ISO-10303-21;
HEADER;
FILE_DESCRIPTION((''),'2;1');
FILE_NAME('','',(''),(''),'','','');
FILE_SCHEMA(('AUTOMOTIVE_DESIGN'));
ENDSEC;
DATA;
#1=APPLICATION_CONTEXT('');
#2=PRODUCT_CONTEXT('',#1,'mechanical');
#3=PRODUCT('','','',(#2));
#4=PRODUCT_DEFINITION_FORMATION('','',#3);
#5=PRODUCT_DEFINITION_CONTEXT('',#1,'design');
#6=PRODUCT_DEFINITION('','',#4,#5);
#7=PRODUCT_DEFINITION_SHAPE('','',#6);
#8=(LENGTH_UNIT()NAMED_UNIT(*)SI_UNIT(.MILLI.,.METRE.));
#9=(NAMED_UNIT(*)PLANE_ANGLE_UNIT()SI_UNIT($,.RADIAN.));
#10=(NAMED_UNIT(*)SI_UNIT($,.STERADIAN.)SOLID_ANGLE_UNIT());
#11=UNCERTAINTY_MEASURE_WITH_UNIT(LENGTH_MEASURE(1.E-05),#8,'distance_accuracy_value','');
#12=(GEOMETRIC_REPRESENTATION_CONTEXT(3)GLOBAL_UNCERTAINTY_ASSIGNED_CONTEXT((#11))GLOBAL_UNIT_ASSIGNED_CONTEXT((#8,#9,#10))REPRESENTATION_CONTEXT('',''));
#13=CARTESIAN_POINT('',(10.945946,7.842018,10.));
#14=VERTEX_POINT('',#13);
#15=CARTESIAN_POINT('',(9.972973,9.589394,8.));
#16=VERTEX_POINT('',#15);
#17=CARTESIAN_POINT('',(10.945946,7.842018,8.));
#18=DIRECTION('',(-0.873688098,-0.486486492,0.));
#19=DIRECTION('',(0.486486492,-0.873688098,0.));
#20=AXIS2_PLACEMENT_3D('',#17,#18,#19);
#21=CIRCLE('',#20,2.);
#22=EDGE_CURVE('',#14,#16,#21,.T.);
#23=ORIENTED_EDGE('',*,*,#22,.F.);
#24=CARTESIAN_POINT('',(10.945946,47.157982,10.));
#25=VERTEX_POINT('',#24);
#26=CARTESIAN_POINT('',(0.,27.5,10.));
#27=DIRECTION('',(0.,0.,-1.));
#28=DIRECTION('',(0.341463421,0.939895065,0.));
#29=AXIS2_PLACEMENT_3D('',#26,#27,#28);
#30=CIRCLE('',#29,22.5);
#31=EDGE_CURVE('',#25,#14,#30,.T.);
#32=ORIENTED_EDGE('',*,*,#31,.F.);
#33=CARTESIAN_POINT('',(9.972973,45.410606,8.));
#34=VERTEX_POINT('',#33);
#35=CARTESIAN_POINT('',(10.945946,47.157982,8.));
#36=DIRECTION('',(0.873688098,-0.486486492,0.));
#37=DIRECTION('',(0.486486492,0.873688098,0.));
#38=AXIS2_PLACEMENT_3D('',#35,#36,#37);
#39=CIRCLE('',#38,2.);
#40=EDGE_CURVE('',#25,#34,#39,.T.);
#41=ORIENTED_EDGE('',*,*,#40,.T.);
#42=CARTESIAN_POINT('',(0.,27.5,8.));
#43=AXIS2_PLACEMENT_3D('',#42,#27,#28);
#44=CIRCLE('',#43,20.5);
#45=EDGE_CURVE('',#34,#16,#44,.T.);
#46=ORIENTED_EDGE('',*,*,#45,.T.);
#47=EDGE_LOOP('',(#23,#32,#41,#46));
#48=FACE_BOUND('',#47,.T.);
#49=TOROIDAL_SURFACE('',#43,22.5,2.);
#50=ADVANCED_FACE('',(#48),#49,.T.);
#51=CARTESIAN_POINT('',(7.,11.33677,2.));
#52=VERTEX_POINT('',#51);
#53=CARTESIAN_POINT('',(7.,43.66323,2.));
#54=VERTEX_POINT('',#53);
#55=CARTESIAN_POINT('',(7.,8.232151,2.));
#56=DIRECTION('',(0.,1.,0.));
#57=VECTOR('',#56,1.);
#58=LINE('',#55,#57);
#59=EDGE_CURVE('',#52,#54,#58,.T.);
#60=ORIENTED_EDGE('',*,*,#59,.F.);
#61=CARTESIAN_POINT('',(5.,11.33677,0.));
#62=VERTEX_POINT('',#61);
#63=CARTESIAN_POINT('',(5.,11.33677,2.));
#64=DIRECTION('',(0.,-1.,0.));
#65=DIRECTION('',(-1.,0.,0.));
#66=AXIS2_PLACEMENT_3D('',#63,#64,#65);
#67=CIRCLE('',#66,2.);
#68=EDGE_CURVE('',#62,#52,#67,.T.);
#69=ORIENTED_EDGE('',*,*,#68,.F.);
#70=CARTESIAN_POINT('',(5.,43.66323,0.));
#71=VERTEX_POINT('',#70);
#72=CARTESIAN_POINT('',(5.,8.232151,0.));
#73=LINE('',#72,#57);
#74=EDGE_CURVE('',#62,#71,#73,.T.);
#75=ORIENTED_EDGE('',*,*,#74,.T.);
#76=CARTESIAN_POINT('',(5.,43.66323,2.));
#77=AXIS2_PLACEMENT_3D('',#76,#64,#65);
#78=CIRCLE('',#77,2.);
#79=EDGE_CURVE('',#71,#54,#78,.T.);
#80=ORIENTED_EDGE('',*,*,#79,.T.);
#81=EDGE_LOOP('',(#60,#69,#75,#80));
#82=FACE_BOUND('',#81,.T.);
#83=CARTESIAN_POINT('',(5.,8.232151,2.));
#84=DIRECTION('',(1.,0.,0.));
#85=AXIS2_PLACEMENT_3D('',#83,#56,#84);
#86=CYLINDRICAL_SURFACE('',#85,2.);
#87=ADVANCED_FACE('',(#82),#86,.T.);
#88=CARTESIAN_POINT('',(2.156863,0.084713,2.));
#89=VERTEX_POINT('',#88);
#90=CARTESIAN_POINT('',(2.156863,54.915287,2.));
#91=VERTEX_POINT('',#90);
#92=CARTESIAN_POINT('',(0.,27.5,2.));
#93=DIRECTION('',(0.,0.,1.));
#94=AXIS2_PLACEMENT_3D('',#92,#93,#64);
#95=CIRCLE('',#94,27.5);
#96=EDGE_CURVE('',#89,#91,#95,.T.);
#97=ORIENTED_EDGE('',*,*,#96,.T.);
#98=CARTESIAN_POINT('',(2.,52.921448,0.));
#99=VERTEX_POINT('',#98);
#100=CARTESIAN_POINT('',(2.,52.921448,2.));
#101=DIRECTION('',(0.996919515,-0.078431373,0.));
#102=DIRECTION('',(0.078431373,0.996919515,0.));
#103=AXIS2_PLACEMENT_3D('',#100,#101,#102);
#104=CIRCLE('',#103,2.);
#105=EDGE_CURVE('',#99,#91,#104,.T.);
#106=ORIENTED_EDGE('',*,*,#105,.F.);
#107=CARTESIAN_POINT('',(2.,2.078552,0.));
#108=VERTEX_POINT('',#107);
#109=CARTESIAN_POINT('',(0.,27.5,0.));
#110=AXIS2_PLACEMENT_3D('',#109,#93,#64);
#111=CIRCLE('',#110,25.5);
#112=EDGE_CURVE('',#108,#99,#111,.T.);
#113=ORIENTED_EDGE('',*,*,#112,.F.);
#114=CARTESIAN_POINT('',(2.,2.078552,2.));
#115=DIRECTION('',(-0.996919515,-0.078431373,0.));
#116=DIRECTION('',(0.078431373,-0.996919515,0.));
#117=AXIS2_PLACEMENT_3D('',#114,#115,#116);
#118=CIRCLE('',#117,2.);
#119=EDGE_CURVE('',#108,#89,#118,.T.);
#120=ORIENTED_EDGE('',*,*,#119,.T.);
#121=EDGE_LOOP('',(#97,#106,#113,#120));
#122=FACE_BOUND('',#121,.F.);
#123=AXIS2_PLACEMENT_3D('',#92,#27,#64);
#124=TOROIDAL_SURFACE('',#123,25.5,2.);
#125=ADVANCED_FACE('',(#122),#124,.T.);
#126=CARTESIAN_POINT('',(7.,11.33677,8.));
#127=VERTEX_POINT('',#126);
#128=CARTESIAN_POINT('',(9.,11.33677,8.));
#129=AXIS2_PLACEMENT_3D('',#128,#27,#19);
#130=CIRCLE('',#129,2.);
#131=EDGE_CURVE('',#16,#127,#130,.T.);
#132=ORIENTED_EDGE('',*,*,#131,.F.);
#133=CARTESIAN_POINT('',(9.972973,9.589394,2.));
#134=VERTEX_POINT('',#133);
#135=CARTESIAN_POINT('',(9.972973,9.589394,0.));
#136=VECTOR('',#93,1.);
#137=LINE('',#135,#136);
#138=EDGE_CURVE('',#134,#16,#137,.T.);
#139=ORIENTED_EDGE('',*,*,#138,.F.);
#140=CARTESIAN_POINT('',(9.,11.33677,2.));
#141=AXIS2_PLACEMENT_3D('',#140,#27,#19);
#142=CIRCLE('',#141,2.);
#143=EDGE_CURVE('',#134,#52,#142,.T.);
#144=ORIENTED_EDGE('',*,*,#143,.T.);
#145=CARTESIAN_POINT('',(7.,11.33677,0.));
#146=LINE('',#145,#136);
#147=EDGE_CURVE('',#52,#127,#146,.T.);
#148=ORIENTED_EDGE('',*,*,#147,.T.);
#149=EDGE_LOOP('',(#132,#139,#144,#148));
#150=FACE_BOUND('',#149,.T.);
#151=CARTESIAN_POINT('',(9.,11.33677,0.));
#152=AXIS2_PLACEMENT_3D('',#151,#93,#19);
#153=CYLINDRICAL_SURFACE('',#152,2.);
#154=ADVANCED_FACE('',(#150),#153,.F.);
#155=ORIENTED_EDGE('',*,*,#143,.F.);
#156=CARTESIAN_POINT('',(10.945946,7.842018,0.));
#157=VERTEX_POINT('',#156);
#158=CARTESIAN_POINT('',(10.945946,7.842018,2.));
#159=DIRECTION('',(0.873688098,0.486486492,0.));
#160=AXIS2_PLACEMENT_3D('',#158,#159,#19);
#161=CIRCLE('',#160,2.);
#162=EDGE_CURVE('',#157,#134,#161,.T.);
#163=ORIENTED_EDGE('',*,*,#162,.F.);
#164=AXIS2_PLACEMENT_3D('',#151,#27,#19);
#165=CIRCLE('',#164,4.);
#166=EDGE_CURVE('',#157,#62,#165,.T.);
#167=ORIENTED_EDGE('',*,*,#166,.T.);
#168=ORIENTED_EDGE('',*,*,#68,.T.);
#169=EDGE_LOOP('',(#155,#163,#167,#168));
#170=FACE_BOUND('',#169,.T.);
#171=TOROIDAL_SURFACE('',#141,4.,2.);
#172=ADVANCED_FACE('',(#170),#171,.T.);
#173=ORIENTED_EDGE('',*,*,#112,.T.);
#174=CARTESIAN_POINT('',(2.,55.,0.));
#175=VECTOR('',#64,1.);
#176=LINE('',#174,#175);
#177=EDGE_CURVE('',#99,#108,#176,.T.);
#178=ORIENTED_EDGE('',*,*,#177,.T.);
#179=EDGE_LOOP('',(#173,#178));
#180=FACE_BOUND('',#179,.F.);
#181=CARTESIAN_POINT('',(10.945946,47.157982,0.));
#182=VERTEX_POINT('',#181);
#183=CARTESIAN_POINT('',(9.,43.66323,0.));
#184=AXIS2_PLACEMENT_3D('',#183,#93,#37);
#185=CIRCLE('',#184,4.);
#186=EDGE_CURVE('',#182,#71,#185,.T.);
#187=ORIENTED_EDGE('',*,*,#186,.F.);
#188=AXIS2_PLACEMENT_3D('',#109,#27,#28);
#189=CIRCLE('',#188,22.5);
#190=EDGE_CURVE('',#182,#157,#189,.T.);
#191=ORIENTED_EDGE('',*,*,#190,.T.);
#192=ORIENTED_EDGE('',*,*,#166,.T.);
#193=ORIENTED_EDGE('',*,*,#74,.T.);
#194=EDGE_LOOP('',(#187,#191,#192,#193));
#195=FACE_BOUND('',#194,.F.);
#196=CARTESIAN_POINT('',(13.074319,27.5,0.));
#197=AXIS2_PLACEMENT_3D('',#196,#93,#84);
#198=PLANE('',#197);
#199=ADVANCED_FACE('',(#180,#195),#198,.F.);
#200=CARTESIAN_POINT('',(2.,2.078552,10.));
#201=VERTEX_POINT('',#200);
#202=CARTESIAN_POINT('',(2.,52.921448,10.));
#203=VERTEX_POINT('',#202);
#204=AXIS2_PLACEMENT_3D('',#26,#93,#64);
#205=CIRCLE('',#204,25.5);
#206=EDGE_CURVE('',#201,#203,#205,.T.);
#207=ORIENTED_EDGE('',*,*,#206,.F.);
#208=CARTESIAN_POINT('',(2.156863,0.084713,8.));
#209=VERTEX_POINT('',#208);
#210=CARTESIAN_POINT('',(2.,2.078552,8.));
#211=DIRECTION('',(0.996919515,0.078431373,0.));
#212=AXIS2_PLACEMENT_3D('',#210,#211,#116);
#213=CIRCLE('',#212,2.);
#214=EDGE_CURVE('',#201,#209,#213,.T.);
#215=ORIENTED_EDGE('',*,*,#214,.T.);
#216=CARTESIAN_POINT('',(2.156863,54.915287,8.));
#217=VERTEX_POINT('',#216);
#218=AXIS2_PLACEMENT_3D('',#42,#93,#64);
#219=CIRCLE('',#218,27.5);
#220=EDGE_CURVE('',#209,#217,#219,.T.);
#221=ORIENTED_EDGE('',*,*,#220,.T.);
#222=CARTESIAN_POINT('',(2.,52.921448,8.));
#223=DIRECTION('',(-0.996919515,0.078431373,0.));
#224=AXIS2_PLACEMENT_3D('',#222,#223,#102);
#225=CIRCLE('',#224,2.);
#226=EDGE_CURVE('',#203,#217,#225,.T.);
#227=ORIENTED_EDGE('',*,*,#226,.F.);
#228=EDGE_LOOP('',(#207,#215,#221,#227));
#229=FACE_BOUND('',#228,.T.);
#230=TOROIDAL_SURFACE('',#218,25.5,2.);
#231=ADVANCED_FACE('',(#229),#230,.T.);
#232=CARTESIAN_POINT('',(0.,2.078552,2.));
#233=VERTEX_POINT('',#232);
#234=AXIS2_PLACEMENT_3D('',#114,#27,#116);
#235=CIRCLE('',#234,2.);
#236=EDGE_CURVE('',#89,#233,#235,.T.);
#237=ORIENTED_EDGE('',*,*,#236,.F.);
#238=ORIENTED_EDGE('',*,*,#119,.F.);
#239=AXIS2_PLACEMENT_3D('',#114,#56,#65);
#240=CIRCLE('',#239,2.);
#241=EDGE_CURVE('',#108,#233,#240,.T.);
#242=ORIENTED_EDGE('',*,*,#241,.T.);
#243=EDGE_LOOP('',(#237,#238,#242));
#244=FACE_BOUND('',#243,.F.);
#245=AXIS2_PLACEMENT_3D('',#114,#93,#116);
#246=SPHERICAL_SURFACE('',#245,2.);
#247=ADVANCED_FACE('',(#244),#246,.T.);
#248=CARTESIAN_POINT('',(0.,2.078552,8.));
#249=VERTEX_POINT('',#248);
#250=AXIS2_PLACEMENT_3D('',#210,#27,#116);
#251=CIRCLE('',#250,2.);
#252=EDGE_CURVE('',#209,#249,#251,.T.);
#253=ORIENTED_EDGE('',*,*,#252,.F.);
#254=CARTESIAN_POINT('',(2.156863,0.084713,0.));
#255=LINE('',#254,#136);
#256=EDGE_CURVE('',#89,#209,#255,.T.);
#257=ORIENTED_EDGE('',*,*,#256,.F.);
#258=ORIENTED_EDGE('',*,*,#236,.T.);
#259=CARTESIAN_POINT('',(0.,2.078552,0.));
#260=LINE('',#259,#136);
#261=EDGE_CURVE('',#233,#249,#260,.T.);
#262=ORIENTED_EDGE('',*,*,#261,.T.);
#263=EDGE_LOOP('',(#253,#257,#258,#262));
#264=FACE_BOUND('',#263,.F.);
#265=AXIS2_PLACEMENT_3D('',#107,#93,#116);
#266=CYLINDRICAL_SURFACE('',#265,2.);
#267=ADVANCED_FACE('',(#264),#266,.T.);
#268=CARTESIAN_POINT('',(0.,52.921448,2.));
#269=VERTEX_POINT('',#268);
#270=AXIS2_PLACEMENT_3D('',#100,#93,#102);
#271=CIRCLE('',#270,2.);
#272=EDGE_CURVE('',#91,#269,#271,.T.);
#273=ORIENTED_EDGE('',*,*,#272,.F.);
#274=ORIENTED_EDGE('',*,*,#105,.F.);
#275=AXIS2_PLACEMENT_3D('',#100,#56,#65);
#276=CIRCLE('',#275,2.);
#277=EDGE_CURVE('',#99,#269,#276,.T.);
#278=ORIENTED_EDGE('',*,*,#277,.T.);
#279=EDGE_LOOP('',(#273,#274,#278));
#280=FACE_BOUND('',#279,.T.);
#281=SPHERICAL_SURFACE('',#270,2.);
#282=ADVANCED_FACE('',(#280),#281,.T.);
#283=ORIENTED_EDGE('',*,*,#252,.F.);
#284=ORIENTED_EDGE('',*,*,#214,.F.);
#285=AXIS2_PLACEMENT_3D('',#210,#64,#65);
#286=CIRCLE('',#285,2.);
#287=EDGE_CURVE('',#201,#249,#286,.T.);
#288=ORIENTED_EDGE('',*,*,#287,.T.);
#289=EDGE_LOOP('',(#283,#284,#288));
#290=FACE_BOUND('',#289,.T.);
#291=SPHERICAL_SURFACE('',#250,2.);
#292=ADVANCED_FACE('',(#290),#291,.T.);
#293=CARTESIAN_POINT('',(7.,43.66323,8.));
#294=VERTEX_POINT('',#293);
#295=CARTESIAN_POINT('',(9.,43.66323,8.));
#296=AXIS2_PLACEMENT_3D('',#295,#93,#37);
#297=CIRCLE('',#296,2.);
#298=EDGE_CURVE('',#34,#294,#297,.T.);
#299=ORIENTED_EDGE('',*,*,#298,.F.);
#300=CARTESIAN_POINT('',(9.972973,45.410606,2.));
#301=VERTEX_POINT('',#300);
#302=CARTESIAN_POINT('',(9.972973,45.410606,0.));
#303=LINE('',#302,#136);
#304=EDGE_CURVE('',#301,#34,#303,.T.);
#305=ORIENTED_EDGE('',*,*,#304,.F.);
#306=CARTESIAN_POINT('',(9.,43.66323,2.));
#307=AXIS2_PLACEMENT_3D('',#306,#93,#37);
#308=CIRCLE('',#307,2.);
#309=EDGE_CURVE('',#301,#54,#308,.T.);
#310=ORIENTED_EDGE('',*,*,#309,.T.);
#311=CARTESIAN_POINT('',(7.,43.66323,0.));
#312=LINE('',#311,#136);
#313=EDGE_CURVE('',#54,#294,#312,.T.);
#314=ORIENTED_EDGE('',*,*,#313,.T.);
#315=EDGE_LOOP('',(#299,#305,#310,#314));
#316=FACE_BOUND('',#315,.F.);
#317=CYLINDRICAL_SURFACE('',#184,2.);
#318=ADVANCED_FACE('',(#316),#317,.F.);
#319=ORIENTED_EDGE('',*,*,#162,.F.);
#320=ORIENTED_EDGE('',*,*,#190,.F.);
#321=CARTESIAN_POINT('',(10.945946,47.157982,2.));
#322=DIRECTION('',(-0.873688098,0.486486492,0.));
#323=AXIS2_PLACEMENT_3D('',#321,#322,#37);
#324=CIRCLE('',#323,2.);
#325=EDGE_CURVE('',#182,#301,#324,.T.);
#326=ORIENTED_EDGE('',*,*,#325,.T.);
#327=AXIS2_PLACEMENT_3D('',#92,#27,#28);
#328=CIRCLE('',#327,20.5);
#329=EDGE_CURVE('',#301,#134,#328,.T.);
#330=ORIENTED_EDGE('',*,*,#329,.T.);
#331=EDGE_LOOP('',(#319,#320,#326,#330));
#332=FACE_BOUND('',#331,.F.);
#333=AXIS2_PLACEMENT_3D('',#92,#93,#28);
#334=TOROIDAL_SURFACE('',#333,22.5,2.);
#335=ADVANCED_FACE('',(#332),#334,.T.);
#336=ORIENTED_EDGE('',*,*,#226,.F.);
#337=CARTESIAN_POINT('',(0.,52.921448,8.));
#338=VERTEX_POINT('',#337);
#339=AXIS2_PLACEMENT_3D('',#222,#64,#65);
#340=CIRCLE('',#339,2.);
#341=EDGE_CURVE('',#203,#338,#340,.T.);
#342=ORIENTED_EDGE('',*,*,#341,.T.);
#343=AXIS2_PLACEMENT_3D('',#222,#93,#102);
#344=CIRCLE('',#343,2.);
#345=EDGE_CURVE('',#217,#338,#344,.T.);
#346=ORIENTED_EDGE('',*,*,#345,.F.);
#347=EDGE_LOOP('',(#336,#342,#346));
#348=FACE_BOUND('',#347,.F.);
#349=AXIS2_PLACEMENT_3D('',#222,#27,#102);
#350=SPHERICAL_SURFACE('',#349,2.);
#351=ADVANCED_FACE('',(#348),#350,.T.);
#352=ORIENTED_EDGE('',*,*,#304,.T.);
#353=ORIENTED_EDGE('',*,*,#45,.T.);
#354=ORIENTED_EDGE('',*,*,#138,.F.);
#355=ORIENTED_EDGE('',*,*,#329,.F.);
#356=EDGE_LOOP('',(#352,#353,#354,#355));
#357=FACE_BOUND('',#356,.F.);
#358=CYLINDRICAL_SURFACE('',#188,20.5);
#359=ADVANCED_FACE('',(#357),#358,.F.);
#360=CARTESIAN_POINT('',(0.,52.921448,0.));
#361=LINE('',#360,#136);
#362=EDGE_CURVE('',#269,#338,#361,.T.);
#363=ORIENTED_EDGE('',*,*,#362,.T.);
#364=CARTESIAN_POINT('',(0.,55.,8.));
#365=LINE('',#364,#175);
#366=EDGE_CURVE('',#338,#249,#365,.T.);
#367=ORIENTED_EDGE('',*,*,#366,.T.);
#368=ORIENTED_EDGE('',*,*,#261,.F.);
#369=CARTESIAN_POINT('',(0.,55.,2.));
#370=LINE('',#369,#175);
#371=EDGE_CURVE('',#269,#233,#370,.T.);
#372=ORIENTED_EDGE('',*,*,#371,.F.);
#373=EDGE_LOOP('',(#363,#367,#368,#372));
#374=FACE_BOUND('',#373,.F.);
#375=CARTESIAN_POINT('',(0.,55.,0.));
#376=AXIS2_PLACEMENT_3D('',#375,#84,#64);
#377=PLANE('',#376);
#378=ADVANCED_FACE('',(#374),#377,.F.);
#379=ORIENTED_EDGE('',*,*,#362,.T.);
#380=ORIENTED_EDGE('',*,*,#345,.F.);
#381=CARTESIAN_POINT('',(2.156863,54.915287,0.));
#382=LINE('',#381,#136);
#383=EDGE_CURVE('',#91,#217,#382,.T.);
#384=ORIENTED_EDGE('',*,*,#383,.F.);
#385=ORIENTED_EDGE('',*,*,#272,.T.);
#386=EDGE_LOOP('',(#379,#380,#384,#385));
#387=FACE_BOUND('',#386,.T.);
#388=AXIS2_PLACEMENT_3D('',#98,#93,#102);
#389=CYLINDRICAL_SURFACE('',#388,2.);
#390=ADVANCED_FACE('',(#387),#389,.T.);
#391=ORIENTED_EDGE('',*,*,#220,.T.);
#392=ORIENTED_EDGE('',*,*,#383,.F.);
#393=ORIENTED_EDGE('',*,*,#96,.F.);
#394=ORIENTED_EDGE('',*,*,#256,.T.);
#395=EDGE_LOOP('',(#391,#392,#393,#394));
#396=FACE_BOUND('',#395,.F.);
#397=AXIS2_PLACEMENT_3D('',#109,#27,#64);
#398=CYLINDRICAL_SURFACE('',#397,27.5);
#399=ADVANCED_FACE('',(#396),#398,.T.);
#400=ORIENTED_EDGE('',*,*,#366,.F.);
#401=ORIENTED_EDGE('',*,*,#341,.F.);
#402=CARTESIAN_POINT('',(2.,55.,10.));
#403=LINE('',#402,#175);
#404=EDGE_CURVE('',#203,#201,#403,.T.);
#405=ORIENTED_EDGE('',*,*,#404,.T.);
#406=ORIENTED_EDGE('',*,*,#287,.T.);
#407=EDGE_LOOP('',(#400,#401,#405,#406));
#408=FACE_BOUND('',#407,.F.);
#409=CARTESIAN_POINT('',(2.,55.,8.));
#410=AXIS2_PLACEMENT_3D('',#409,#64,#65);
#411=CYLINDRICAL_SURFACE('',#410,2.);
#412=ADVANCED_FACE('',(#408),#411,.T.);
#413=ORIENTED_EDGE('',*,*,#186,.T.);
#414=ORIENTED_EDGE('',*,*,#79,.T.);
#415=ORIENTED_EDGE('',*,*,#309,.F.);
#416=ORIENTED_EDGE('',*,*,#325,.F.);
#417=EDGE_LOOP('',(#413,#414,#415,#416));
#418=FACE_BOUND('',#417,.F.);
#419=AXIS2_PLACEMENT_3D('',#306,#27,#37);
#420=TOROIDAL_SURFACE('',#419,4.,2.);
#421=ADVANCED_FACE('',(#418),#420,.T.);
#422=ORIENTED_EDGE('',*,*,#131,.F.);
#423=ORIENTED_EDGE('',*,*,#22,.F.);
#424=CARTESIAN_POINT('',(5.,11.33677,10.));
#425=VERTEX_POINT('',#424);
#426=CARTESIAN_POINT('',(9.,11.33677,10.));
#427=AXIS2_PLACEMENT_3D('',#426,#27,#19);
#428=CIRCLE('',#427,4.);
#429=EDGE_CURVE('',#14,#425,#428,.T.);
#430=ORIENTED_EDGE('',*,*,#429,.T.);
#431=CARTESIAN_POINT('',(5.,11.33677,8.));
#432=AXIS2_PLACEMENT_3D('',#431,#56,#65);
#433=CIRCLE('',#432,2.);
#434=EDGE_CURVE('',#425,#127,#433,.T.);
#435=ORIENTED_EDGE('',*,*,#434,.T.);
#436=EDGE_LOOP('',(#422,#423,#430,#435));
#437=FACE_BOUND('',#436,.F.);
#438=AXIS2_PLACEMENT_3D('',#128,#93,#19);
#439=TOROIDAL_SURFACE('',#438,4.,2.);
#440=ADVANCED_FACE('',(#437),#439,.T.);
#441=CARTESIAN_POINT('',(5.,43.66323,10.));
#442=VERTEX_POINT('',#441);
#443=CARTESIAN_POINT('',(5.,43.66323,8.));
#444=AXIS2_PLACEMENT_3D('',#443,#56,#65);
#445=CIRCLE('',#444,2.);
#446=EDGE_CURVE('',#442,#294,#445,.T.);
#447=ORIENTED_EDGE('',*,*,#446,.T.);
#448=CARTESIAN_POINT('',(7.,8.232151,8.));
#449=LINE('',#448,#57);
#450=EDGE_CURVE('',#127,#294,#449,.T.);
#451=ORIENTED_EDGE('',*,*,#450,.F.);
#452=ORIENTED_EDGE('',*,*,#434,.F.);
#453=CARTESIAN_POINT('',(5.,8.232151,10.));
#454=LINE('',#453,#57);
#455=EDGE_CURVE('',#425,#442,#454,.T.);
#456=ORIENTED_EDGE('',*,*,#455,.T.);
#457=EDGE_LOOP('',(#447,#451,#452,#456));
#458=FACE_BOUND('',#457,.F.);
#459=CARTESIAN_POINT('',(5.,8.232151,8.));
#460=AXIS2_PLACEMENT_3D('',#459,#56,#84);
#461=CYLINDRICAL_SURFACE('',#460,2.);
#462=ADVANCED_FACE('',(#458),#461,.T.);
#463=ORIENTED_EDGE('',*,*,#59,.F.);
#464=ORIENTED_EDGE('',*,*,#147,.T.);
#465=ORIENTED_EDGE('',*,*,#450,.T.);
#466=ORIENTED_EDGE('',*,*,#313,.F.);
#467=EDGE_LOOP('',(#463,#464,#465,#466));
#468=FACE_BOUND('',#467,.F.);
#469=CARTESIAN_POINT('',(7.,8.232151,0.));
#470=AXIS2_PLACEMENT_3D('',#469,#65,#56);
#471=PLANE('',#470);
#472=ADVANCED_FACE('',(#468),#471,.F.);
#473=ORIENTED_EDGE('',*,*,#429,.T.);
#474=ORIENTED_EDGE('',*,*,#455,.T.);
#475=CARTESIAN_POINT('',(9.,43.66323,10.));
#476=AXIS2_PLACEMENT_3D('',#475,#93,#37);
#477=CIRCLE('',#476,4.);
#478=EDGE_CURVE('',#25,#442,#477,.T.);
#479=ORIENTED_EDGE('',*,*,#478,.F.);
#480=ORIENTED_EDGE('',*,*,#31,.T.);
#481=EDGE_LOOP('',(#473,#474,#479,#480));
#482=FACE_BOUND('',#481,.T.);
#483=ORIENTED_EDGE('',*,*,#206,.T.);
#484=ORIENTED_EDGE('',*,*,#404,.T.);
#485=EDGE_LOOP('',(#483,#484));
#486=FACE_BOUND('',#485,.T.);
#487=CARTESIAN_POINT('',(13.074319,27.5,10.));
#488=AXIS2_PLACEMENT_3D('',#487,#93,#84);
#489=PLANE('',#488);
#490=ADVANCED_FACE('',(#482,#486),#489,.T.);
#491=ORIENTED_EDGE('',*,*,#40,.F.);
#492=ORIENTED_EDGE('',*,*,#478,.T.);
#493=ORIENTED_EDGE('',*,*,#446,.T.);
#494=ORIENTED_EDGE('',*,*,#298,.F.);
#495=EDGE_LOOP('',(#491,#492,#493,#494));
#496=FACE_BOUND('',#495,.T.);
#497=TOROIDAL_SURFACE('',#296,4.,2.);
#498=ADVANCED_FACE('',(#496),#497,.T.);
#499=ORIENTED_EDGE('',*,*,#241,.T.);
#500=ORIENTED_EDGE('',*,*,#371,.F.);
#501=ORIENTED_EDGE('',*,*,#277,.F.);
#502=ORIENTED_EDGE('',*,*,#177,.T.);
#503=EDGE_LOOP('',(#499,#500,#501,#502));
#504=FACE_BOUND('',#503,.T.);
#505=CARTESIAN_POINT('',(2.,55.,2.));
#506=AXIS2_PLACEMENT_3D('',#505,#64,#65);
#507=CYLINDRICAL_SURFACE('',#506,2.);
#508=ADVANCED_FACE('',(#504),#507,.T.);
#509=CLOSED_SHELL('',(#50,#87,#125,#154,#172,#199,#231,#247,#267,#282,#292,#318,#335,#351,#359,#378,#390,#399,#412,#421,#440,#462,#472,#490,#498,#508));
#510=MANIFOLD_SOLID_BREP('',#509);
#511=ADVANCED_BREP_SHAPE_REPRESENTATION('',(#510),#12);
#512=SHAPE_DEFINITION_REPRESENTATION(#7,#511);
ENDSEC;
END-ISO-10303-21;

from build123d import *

# Parameters (mm, degrees)
F1_DEPTH = 10
F2_R     = 2


with BuildPart() as f1:
    # F0 (on Top) → F1 (new body)
    with BuildSketch(Plane.XY):
        with BuildLine():
            Line((0, 7), (0, 0))
            ThreePointArc((0, 0), (27.5, 27.5), (0, 55))
            Line((0, 55), (0, 48))
            ThreePointArc((0, 48), (3.553808, 47.689612), (7, 46.767849))
            ThreePointArc((7, 46.767849), (20.5, 27.5), (7, 8.232151))
            ThreePointArc((7, 8.232151), (3.553808, 7.310388), (0, 7))
        make_face()
        with BuildLine():
            Line((0, 27.5), (0, 7))
            ThreePointArc((0, 7), (3.553808, 7.310388), (7, 8.232151))
            Line((7, 8.232151), (7, 27.5))
            Line((7, 27.5), (0, 27.5))
        make_face()
        with BuildLine():
            Line((0, 48), (0, 27.5))
            Line((0, 27.5), (7, 27.5))
            Line((7, 27.5), (7, 46.767849))
            ThreePointArc((7, 46.767849), (3.553808, 47.689612), (0, 48))
        make_face()
    extrude(amount=F1_DEPTH)

    # F2
    f2_edges = [f1.edges().sort_by_distance(p)[0] for p in [
        (0, 0, 5),
        (0, 55, 5),
        (27.5, 27.5, 0),
        (27.5, 27.5, 10),
        (20.5, 27.5, 10),
        (7, 27.5, 10),
        (0, 27.5, 10),
        (20.5, 27.5, 0),
        (0, 27.5, 0),
        (7, 27.5, 0),
        (7, 8.232151, 5),
        (7, 46.767849, 5),
    ]]
    fillet(f2_edges, radius=F2_R)


solid = f1.part
